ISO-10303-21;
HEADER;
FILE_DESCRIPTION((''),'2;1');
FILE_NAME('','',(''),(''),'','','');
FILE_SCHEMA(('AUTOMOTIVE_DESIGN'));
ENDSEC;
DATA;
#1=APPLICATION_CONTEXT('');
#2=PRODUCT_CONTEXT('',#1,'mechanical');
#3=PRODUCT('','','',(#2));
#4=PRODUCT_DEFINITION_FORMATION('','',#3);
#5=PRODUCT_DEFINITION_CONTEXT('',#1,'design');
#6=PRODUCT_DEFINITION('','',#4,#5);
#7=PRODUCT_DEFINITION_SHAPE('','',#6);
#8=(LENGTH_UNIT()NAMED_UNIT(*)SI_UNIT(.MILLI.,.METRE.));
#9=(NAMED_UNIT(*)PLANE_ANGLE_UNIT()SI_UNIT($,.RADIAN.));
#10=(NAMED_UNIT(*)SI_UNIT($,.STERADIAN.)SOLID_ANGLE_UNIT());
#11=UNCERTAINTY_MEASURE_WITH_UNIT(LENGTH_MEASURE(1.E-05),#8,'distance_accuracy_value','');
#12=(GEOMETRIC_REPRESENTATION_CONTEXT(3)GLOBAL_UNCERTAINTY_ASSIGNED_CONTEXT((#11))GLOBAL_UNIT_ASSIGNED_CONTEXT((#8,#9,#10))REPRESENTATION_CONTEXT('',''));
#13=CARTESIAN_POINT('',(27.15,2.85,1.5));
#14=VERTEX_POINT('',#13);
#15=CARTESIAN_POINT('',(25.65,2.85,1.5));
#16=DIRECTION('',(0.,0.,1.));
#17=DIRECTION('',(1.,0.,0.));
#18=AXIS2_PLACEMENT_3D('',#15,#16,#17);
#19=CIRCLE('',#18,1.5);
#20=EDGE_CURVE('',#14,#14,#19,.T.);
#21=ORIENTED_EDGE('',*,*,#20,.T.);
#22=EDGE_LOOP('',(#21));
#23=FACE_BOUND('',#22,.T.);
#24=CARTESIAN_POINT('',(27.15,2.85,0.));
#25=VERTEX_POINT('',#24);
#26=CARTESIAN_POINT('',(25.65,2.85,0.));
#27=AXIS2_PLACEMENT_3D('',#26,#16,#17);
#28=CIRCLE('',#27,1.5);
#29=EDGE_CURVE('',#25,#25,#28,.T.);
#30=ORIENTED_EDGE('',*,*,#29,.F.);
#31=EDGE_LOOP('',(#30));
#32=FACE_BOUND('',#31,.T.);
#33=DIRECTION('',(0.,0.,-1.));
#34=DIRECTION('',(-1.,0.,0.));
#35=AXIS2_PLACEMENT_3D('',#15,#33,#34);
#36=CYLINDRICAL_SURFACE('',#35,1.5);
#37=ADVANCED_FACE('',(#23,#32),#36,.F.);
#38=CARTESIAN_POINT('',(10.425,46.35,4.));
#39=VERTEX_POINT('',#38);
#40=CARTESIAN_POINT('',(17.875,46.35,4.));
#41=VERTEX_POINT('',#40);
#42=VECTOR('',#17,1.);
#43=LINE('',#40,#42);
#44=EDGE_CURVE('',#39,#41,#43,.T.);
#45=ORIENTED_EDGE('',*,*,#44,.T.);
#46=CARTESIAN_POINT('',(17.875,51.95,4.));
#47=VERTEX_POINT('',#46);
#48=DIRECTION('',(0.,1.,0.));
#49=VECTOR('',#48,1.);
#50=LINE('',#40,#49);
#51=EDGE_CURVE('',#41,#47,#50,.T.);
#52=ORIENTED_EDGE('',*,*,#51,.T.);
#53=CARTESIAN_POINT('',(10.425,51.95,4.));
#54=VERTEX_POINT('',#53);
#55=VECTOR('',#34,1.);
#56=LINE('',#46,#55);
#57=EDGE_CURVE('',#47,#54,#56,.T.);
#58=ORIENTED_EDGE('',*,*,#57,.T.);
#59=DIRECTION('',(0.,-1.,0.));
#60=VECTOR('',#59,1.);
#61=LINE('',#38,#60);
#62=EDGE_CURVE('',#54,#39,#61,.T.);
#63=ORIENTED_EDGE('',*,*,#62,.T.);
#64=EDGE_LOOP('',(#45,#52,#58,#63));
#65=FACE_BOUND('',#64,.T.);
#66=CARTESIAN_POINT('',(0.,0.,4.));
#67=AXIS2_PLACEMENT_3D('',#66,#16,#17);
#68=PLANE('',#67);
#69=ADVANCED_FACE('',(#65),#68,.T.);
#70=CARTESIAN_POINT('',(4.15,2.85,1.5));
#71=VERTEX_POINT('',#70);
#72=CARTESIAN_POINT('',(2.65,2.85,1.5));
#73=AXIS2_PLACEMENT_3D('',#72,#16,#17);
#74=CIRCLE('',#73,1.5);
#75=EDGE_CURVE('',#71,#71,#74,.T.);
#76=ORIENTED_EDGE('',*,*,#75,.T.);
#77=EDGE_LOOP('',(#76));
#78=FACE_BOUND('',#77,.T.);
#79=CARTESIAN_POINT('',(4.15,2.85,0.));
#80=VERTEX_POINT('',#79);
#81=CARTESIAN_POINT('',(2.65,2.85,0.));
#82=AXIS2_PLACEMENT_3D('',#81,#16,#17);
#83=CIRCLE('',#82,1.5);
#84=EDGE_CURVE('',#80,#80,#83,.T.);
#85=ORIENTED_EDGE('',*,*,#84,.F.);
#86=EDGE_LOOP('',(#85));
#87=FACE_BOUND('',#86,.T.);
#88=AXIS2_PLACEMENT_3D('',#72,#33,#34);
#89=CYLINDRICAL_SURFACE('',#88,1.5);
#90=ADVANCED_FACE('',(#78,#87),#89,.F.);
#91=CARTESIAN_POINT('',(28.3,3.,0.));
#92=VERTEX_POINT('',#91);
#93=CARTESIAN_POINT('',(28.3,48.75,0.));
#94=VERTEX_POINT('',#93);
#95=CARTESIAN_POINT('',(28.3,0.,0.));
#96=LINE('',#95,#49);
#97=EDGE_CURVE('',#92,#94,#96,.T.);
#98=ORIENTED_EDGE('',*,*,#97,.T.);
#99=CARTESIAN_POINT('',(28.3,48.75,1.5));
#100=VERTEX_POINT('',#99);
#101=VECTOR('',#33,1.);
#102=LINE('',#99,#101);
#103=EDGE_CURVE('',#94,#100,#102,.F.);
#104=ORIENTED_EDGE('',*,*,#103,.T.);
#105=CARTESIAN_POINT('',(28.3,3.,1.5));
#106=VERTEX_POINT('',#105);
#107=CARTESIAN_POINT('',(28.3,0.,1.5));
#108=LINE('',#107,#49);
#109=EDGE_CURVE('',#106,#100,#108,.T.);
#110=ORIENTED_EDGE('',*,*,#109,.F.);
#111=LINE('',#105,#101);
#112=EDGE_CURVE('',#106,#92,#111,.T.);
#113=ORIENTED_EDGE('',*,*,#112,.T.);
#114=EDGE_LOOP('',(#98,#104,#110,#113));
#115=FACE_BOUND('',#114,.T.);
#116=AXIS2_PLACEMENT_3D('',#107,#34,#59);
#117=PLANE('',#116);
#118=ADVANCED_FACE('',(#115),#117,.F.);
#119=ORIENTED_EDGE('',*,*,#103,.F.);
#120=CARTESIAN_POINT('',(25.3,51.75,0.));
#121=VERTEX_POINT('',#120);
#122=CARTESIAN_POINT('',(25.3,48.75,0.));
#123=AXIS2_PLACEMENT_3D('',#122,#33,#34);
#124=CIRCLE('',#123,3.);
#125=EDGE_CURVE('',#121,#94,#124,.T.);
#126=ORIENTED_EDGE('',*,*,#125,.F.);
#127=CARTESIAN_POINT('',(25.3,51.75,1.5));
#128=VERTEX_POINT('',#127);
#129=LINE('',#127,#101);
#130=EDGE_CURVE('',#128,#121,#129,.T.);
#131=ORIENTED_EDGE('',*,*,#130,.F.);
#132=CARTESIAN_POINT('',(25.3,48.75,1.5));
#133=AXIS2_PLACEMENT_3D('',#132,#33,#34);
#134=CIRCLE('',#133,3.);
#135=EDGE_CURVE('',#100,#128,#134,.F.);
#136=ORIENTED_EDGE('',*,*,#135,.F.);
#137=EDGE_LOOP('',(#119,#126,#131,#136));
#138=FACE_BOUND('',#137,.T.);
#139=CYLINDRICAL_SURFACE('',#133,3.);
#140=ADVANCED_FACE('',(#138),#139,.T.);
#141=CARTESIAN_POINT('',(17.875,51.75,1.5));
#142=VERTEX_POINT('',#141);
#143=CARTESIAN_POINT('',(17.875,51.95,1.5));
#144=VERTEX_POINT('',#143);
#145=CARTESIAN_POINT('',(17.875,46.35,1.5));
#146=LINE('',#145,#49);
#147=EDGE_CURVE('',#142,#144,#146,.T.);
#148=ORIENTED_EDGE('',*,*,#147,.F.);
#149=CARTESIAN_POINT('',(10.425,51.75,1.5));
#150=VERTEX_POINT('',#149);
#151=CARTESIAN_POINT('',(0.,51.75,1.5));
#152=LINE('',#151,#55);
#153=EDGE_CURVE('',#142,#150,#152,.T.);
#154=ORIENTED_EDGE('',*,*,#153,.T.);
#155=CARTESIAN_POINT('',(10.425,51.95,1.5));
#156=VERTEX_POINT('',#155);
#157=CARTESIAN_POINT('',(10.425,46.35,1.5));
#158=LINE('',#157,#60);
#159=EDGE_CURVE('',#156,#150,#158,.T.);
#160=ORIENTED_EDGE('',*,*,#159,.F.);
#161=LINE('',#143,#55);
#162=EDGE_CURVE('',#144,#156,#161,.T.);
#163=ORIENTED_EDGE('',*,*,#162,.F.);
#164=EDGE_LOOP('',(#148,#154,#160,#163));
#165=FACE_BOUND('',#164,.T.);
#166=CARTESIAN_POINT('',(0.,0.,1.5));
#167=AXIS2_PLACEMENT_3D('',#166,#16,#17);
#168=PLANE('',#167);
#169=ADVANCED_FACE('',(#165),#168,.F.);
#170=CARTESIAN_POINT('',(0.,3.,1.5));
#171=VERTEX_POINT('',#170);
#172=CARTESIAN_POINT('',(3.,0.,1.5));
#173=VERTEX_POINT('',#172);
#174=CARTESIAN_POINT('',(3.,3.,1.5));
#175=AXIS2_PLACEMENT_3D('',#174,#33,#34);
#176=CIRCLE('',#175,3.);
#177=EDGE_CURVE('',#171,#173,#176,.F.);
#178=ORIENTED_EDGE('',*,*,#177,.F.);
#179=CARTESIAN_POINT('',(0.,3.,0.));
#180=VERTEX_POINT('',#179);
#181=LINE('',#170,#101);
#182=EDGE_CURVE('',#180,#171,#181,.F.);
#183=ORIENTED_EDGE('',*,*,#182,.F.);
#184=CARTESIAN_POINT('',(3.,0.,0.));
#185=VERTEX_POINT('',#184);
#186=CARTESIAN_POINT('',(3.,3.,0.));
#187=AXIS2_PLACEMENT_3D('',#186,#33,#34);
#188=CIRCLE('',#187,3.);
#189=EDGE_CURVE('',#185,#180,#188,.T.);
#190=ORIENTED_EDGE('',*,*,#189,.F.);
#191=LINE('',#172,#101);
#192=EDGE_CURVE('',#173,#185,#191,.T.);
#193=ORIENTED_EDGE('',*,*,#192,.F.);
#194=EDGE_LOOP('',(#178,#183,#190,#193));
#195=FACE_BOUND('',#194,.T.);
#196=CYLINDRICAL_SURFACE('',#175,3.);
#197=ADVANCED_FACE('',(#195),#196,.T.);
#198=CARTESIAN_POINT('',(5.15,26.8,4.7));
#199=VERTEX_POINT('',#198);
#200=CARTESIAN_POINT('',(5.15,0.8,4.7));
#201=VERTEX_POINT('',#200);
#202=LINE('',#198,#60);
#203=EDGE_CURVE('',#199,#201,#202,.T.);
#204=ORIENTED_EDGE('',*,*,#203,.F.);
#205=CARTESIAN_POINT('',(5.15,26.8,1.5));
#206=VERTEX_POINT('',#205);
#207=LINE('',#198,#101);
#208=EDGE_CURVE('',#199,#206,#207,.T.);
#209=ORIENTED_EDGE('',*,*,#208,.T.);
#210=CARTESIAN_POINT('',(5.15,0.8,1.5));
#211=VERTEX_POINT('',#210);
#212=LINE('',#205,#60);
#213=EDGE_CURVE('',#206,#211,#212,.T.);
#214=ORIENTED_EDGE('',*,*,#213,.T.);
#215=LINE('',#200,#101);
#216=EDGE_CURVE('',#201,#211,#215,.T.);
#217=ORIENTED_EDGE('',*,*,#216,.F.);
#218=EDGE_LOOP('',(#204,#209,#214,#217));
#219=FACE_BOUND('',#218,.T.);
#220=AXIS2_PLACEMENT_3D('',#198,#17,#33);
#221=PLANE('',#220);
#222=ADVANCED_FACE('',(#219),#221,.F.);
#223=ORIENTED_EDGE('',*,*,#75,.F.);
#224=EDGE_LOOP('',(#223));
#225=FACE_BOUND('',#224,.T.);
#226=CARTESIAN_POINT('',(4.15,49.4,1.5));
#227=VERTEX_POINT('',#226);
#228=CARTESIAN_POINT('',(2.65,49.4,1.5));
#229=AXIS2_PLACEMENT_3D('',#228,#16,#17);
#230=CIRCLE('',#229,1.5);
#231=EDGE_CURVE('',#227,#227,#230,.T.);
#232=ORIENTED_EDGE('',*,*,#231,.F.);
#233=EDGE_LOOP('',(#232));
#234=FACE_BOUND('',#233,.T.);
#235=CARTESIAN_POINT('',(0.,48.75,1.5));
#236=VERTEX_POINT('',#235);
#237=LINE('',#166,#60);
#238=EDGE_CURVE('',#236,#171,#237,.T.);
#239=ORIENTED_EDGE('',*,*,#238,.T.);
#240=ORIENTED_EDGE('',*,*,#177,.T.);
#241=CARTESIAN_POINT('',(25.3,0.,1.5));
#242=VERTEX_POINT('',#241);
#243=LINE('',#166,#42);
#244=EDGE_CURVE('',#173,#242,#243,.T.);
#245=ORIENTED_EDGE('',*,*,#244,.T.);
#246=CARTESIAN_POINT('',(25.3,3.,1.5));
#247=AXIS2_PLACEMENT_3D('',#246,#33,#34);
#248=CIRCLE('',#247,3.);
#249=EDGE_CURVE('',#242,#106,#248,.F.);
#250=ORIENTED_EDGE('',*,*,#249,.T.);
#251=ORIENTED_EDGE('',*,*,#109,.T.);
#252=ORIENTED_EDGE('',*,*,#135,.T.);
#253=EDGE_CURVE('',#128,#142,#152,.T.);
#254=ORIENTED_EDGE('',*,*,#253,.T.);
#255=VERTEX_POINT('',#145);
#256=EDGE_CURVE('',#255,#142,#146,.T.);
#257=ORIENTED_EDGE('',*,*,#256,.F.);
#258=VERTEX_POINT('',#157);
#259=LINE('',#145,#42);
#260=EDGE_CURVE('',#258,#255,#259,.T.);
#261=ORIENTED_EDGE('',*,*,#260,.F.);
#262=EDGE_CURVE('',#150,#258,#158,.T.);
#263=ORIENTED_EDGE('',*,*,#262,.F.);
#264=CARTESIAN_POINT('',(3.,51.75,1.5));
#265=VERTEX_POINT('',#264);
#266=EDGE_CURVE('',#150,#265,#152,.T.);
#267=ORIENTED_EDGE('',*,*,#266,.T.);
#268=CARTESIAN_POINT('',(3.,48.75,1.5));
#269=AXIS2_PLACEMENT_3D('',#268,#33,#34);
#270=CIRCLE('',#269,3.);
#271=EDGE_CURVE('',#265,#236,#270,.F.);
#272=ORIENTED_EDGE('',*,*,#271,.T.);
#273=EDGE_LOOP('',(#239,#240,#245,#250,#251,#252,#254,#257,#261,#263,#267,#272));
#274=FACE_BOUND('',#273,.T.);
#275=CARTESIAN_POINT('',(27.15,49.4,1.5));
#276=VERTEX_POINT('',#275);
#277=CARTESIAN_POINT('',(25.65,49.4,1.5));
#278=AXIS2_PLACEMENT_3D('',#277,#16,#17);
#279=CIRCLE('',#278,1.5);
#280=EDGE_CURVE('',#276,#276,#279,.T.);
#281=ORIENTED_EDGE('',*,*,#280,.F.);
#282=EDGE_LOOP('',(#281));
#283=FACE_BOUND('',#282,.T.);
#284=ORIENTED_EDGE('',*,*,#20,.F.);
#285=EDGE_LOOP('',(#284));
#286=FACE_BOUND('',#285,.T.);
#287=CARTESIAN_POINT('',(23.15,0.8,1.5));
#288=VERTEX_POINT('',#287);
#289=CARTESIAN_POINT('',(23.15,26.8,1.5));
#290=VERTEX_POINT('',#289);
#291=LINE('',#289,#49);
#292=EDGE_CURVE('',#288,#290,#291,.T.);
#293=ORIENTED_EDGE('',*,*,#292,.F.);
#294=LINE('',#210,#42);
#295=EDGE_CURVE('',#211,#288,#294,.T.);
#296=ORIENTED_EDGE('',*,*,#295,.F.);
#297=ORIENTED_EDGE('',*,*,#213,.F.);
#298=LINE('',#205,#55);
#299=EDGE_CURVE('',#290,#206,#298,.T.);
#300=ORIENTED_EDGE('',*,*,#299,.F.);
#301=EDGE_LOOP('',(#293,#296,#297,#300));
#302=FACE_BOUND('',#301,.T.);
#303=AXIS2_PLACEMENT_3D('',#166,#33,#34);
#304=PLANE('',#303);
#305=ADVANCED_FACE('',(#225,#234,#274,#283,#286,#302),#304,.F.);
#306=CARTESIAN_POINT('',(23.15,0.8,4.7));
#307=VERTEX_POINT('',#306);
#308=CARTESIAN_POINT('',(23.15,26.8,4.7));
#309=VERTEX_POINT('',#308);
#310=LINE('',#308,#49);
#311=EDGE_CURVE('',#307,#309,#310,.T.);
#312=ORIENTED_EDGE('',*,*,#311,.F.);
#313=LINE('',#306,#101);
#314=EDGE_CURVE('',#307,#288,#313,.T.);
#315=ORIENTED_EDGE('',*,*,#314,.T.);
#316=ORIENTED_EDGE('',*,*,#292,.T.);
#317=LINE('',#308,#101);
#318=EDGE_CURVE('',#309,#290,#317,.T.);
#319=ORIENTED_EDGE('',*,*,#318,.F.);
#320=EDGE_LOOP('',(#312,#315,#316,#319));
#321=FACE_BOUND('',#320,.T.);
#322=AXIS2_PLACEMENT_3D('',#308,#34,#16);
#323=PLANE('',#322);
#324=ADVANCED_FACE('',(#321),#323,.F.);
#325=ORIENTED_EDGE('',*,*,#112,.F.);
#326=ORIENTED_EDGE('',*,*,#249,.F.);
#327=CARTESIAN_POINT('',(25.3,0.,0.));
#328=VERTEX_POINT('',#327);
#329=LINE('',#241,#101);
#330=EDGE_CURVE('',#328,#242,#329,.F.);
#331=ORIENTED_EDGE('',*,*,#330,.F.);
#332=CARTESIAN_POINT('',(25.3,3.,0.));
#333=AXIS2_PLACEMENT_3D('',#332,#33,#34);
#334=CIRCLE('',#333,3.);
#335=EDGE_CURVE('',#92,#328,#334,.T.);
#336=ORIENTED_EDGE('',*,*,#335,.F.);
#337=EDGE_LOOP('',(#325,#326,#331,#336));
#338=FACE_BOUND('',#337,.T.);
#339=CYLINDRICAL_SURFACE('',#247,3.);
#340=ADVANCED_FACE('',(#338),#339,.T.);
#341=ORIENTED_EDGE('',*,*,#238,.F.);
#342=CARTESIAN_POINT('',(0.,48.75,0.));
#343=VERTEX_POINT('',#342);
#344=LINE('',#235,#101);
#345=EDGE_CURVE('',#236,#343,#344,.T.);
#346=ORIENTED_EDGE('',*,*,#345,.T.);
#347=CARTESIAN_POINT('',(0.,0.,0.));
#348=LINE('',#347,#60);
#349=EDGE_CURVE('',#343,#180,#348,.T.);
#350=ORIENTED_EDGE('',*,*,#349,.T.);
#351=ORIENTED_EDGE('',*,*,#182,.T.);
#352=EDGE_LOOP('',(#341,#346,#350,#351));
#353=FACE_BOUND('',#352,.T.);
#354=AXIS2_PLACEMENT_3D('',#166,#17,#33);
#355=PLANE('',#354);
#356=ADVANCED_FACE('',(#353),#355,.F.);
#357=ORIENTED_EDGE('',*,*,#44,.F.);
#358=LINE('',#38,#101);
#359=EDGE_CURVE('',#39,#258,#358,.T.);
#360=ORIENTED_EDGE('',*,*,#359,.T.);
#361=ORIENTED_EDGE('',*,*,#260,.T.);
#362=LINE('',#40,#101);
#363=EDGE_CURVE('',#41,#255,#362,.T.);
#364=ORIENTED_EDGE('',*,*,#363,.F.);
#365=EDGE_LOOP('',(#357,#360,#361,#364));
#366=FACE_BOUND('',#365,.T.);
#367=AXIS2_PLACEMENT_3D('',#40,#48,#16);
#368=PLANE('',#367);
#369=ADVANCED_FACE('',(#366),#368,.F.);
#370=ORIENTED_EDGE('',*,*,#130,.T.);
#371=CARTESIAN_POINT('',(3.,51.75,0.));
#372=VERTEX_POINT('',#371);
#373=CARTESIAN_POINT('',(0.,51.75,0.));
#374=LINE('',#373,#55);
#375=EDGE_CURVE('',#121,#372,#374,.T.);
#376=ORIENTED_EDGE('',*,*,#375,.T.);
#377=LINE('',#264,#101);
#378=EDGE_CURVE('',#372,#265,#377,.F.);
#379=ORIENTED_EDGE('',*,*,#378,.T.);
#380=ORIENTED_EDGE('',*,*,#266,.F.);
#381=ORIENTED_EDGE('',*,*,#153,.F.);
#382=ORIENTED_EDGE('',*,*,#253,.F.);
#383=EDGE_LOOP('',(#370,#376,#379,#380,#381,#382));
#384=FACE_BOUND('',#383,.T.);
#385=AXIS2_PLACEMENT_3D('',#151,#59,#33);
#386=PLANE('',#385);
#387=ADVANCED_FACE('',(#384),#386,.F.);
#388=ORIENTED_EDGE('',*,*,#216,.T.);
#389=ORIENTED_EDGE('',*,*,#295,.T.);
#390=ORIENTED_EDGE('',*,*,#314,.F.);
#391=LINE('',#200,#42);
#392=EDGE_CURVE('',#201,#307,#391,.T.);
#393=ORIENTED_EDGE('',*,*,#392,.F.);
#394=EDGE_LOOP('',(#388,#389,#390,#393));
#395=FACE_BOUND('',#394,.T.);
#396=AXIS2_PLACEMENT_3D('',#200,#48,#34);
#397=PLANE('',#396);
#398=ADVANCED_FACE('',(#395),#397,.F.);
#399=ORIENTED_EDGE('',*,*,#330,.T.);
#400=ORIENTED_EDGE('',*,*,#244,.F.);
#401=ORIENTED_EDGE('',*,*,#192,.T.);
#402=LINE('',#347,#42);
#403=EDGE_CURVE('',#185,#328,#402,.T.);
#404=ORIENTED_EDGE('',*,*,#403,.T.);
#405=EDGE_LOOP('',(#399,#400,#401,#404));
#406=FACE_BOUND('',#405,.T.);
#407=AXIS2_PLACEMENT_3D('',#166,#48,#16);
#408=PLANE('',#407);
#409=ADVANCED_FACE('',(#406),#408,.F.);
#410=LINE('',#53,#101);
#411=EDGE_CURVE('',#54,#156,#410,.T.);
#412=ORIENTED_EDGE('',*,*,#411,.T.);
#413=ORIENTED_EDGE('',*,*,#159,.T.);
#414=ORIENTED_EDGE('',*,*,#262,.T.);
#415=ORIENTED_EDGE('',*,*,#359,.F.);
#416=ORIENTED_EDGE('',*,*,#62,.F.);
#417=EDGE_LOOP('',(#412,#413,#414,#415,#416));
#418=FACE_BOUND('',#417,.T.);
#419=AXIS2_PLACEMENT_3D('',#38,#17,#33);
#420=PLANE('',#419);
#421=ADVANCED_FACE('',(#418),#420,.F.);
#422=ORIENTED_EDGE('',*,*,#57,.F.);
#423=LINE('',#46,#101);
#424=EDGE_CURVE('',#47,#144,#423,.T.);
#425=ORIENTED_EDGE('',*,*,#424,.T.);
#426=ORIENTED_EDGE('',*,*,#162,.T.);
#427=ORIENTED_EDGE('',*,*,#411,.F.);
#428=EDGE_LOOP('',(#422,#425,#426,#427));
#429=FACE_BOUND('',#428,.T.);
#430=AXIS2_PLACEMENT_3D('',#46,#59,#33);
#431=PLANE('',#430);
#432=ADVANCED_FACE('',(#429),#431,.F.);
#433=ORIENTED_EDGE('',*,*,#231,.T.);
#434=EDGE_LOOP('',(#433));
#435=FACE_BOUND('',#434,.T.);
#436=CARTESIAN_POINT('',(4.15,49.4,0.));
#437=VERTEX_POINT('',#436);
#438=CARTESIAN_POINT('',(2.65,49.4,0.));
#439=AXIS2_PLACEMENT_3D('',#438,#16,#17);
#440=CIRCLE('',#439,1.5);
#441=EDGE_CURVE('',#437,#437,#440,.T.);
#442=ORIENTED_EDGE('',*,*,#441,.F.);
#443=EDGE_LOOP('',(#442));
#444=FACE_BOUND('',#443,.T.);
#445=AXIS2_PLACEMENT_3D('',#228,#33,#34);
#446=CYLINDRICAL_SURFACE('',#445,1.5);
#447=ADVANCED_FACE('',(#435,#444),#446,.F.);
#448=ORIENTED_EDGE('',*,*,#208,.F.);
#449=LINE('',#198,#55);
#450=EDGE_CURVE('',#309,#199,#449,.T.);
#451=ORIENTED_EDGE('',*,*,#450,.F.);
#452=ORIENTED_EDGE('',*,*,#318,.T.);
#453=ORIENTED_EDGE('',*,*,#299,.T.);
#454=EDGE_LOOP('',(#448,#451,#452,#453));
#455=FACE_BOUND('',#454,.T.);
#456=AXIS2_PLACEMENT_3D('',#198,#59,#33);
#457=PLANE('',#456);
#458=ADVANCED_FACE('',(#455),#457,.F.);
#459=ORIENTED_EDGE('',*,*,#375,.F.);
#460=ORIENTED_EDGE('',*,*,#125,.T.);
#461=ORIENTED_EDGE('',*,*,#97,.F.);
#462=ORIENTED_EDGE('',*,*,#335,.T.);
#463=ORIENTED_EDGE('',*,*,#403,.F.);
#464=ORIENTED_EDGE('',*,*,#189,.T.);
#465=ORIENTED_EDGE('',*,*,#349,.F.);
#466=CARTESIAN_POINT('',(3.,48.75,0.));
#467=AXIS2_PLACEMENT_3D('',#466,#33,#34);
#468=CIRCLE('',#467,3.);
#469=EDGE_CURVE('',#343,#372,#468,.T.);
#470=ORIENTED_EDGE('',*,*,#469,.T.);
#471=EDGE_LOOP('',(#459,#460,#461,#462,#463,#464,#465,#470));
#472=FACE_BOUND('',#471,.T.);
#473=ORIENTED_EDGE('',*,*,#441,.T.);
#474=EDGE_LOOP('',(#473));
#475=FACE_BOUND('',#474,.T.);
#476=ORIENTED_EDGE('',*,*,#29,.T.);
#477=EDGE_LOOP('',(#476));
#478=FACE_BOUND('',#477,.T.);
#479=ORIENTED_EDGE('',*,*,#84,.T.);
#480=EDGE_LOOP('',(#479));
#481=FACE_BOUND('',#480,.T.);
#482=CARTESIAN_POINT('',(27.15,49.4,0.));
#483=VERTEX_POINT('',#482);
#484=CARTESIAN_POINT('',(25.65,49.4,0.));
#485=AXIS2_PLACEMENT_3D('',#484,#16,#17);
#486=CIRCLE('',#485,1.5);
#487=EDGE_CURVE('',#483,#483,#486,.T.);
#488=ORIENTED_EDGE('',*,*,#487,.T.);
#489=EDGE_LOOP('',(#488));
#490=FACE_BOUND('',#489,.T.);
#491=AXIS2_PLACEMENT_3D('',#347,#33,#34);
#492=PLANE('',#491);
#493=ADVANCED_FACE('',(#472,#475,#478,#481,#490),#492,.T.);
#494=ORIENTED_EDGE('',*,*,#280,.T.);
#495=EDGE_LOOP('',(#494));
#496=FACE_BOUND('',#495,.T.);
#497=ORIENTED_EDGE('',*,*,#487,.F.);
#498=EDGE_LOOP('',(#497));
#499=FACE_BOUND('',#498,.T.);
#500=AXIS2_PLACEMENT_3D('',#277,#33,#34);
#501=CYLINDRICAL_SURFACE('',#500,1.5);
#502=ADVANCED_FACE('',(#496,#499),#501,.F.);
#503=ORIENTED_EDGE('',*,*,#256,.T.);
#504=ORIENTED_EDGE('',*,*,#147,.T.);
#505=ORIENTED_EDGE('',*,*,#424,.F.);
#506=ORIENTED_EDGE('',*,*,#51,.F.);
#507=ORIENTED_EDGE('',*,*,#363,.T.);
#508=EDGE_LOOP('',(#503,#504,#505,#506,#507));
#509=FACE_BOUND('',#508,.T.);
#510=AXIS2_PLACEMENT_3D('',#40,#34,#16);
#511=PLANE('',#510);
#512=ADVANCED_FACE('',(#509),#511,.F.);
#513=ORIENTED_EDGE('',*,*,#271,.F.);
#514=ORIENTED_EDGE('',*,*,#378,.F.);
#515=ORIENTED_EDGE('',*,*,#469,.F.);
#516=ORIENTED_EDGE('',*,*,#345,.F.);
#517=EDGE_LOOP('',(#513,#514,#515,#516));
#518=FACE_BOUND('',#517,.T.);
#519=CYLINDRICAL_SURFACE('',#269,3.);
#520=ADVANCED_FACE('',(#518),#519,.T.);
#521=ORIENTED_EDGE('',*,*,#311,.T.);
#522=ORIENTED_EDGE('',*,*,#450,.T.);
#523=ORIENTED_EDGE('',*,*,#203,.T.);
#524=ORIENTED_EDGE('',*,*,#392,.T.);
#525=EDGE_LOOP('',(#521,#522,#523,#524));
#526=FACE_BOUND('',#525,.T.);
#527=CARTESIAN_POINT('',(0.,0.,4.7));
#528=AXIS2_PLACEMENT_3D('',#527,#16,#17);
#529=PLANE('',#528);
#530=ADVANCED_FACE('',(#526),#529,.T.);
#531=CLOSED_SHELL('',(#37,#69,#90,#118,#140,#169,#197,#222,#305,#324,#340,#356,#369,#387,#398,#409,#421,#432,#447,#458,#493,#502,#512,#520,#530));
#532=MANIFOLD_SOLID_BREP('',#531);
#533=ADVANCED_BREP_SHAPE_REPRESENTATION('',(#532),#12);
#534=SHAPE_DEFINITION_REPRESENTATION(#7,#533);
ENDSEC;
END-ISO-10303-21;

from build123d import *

# Parameters (mm, degrees)
SKETCH1_W           = 28.3
SKETCH1_H           = 51.75
SKETCH1_R           = 1.5
BOSS_EXTRUDE1_DEPTH = 1.5
FILLET1_R           = 3
SKETCH2_W           = 18
SKETCH2_H           = 26
BOSS_EXTRUDE2_DEPTH = 3.2
SKETCH3_W           = 7.45
SKETCH3_H           = 5.6
BOSS_EXTRUDE3_DEPTH = 2.5


with BuildPart() as part:
    # Sketch1 → Boss-Extrude1 (new body)
    with BuildSketch(Plane.XY):
        with Locations((14.15, 25.875)):
            Rectangle(SKETCH1_W, SKETCH1_H)
        with Locations((2.65, 49.4)):
            Circle(SKETCH1_R, mode=Mode.SUBTRACT)
        with Locations((25.65, 49.4)):
            Circle(SKETCH1_R, mode=Mode.SUBTRACT)
        with Locations((2.65, 2.85)):
            Circle(SKETCH1_R, mode=Mode.SUBTRACT)
        with Locations((25.65, 2.85)):
            Circle(SKETCH1_R, mode=Mode.SUBTRACT)
    extrude(amount=BOSS_EXTRUDE1_DEPTH)

    # Fillet1
    fillet1_edges = [part.edges().sort_by_distance(p)[0] for p in [
        (0, 51.75, 0.75),
        (28.3, 51.75, 0.75),
        (28.3, 0, 0.75),
        (0, 0, 0.75),
    ]]
    fillet(fillet1_edges, radius=FILLET1_R)

    # Sketch2 → Boss-Extrude2 (add)
    with BuildSketch(Plane.XY.offset(1.5)):
        with Locations((14.15, 13.8)):
            Rectangle(SKETCH2_W, SKETCH2_H)
    extrude(amount=BOSS_EXTRUDE2_DEPTH)

    # Sketch3 → Boss-Extrude3 (add)
    with BuildSketch(Plane.XY.offset(1.5)):
        with Locations((14.15, 49.15)):
            Rectangle(SKETCH3_W, SKETCH3_H)
    extrude(amount=BOSS_EXTRUDE3_DEPTH)


solid = part.part
